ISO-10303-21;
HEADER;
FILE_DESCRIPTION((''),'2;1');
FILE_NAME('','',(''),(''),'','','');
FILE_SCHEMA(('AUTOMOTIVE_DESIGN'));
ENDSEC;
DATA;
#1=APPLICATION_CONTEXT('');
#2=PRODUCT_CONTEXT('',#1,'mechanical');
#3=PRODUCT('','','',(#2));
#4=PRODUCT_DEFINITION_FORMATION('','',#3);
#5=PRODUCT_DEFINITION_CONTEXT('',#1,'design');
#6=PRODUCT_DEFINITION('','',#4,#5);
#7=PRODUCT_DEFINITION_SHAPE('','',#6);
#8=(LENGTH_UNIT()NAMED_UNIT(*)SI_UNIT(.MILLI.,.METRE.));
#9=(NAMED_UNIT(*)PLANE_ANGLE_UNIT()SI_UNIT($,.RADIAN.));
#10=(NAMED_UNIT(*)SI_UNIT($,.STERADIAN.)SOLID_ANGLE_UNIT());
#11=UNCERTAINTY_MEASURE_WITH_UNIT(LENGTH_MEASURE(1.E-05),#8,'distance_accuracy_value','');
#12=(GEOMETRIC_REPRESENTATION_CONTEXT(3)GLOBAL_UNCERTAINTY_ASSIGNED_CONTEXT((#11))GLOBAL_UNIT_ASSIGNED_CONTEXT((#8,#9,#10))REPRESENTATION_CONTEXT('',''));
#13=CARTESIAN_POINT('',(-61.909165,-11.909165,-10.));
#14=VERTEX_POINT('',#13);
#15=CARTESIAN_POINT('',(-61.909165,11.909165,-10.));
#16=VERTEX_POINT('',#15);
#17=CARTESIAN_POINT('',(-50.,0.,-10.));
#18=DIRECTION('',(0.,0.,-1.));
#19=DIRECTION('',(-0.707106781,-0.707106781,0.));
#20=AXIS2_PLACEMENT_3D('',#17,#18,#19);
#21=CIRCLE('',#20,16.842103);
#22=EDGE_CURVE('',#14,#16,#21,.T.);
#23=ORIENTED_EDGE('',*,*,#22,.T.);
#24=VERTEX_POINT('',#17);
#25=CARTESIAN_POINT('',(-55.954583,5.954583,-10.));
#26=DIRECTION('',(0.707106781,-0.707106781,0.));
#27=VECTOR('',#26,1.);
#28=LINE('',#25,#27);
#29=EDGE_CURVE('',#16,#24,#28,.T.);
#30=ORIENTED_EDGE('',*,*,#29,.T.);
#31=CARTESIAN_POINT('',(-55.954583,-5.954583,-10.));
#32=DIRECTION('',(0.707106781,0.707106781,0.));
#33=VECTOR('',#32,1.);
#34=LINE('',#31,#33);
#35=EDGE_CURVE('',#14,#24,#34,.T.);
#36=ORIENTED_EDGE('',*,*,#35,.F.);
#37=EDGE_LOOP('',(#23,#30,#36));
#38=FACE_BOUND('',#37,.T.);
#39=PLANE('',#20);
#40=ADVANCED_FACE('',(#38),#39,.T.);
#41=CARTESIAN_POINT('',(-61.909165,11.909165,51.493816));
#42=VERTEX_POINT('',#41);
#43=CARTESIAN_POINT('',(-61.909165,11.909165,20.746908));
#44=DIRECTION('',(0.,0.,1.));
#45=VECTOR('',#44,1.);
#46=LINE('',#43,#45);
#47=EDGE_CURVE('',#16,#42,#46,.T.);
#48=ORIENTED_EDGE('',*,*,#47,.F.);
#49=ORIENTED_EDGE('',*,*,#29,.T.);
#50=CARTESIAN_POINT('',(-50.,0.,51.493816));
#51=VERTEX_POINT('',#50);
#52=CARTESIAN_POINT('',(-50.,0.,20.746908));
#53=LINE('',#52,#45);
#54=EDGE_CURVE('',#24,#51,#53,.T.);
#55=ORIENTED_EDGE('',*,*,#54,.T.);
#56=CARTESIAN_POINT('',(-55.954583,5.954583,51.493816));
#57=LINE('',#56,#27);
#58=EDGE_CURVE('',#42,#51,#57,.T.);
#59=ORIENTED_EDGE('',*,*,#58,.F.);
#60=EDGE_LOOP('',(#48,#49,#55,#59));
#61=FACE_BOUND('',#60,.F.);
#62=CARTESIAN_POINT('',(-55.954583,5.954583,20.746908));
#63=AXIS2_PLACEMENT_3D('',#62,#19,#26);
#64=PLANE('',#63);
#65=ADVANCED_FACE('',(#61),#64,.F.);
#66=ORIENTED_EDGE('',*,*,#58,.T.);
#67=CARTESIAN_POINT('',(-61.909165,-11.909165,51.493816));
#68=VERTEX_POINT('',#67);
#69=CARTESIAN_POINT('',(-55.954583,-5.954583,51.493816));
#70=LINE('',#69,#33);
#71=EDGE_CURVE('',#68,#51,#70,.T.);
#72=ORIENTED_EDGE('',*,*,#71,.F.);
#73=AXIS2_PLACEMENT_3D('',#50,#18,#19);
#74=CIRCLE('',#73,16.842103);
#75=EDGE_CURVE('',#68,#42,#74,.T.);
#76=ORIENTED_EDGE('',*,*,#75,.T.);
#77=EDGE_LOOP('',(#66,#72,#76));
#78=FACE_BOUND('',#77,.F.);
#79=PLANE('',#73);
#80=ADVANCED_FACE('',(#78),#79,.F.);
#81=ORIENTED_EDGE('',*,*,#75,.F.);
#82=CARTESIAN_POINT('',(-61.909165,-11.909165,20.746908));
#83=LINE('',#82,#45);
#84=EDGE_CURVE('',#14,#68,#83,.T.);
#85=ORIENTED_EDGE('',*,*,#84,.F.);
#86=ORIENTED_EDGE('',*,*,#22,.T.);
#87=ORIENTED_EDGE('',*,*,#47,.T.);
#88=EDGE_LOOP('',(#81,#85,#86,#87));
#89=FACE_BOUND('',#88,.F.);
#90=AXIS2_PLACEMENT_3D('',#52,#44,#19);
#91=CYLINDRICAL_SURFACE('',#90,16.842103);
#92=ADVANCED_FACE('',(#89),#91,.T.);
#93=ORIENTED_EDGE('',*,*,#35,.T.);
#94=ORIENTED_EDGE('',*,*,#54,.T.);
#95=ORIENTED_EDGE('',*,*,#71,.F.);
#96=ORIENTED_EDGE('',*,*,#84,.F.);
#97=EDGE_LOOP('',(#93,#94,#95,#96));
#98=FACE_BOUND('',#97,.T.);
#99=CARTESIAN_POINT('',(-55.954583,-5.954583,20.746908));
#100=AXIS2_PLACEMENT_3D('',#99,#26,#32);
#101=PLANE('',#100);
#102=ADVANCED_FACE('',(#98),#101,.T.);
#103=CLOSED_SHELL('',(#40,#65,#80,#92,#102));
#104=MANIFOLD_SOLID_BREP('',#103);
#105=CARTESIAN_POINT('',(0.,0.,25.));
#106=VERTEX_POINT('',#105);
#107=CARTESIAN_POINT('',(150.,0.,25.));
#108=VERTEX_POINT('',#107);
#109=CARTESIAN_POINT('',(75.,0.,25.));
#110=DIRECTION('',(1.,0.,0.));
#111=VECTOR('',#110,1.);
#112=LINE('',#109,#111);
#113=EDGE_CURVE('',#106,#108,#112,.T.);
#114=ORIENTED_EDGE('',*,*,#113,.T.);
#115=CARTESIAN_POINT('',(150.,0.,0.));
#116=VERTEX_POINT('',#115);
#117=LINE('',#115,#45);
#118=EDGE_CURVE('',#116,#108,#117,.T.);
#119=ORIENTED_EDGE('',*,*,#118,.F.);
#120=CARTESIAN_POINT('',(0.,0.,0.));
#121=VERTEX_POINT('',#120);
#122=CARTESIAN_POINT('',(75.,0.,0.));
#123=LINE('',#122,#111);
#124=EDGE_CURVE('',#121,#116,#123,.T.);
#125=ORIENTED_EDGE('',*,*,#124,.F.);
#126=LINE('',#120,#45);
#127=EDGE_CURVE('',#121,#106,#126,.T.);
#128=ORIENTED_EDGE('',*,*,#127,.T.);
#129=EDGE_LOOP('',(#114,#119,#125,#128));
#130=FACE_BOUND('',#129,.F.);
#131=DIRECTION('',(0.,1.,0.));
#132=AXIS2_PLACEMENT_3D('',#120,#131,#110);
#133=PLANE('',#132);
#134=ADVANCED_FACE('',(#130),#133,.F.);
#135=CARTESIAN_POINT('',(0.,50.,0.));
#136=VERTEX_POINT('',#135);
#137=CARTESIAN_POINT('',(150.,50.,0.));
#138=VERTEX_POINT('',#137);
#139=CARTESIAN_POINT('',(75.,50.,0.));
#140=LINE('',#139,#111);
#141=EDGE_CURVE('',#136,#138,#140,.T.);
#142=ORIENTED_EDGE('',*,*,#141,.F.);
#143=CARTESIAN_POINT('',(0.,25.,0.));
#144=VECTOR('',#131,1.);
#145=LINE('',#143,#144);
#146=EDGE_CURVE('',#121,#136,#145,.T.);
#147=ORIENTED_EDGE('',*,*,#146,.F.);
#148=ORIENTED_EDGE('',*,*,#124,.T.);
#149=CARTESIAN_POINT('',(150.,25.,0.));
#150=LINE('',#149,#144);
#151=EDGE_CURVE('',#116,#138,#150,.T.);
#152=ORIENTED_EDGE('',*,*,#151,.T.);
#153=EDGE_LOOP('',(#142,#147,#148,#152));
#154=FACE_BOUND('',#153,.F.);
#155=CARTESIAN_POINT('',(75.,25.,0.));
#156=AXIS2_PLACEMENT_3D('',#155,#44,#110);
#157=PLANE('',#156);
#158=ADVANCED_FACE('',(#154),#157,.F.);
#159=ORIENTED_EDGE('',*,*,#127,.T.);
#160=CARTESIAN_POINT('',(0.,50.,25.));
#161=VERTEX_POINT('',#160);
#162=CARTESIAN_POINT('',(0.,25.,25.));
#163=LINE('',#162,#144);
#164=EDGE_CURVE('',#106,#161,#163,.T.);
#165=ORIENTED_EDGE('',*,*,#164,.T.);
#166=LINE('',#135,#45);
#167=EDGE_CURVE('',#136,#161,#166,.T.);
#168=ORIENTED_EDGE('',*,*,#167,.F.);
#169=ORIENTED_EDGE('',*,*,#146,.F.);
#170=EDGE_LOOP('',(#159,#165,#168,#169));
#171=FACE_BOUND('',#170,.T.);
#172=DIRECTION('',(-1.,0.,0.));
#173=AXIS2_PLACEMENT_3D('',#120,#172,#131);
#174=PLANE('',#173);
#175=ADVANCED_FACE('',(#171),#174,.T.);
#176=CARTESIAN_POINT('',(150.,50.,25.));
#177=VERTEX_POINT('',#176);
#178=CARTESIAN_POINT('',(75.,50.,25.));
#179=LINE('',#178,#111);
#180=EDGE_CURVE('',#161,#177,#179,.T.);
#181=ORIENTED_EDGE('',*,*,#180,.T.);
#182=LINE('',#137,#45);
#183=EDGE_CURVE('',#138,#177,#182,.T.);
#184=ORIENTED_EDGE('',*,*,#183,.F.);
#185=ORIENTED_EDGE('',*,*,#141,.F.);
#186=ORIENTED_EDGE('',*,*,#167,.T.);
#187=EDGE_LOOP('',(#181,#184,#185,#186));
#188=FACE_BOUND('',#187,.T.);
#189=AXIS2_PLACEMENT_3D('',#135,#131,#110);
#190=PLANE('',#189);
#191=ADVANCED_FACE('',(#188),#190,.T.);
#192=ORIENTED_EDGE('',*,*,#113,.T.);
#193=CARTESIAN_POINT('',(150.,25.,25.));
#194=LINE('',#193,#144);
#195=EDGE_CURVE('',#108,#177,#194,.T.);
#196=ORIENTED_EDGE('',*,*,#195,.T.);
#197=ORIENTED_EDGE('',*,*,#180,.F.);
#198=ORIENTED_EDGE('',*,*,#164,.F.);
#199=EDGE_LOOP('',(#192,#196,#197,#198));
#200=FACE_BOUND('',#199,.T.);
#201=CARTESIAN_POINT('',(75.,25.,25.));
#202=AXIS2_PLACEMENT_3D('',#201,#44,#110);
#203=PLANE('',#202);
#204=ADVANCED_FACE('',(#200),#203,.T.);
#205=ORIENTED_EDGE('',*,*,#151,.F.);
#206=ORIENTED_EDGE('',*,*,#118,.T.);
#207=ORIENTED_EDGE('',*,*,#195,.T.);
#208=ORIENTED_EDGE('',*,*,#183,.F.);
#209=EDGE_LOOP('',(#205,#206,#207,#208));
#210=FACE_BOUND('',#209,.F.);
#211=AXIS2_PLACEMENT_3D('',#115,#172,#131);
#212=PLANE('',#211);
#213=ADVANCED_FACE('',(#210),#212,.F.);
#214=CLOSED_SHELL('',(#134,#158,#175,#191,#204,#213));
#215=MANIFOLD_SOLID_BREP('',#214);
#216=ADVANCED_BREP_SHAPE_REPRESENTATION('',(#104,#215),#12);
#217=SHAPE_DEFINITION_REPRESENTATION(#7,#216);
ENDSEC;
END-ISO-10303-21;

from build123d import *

# Parameters (mm, degrees)
F0_W          = 150
F0_H          = 50
F1_DEPTH      = 25
F2_W          = 16.8421028216
F2_H          = 61.4938159344
F3_ANGLE_BACK = 45
F3_ANGLE      = 90


with BuildPart() as f1:
    # F0 (on Top) → F1 (new body)
    with BuildSketch(Plane.XY):
        with Locations((75, 25)):
            Rectangle(F0_W, F0_H)
    extrude(amount=F1_DEPTH)


with BuildPart() as f3:
    # F2 (on Front) → F3 (revolve)
    with BuildSketch(Plane.XZ, mode=Mode.PRIVATE) as f3_sk:
        with Locations((-58.4210514108, 20.7469079672)):
            Rectangle(F2_W, F2_H)
    revolve(f3_sk.sketch.rotate(Axis((-50, 0, 20.7469079672), (0, 0, -1)), -F3_ANGLE_BACK), axis=Axis((-50, 0, 20.7469079672), (0, 0, -1)), revolution_arc=F3_ANGLE)


solid = Compound([f1.part, f3.part])
